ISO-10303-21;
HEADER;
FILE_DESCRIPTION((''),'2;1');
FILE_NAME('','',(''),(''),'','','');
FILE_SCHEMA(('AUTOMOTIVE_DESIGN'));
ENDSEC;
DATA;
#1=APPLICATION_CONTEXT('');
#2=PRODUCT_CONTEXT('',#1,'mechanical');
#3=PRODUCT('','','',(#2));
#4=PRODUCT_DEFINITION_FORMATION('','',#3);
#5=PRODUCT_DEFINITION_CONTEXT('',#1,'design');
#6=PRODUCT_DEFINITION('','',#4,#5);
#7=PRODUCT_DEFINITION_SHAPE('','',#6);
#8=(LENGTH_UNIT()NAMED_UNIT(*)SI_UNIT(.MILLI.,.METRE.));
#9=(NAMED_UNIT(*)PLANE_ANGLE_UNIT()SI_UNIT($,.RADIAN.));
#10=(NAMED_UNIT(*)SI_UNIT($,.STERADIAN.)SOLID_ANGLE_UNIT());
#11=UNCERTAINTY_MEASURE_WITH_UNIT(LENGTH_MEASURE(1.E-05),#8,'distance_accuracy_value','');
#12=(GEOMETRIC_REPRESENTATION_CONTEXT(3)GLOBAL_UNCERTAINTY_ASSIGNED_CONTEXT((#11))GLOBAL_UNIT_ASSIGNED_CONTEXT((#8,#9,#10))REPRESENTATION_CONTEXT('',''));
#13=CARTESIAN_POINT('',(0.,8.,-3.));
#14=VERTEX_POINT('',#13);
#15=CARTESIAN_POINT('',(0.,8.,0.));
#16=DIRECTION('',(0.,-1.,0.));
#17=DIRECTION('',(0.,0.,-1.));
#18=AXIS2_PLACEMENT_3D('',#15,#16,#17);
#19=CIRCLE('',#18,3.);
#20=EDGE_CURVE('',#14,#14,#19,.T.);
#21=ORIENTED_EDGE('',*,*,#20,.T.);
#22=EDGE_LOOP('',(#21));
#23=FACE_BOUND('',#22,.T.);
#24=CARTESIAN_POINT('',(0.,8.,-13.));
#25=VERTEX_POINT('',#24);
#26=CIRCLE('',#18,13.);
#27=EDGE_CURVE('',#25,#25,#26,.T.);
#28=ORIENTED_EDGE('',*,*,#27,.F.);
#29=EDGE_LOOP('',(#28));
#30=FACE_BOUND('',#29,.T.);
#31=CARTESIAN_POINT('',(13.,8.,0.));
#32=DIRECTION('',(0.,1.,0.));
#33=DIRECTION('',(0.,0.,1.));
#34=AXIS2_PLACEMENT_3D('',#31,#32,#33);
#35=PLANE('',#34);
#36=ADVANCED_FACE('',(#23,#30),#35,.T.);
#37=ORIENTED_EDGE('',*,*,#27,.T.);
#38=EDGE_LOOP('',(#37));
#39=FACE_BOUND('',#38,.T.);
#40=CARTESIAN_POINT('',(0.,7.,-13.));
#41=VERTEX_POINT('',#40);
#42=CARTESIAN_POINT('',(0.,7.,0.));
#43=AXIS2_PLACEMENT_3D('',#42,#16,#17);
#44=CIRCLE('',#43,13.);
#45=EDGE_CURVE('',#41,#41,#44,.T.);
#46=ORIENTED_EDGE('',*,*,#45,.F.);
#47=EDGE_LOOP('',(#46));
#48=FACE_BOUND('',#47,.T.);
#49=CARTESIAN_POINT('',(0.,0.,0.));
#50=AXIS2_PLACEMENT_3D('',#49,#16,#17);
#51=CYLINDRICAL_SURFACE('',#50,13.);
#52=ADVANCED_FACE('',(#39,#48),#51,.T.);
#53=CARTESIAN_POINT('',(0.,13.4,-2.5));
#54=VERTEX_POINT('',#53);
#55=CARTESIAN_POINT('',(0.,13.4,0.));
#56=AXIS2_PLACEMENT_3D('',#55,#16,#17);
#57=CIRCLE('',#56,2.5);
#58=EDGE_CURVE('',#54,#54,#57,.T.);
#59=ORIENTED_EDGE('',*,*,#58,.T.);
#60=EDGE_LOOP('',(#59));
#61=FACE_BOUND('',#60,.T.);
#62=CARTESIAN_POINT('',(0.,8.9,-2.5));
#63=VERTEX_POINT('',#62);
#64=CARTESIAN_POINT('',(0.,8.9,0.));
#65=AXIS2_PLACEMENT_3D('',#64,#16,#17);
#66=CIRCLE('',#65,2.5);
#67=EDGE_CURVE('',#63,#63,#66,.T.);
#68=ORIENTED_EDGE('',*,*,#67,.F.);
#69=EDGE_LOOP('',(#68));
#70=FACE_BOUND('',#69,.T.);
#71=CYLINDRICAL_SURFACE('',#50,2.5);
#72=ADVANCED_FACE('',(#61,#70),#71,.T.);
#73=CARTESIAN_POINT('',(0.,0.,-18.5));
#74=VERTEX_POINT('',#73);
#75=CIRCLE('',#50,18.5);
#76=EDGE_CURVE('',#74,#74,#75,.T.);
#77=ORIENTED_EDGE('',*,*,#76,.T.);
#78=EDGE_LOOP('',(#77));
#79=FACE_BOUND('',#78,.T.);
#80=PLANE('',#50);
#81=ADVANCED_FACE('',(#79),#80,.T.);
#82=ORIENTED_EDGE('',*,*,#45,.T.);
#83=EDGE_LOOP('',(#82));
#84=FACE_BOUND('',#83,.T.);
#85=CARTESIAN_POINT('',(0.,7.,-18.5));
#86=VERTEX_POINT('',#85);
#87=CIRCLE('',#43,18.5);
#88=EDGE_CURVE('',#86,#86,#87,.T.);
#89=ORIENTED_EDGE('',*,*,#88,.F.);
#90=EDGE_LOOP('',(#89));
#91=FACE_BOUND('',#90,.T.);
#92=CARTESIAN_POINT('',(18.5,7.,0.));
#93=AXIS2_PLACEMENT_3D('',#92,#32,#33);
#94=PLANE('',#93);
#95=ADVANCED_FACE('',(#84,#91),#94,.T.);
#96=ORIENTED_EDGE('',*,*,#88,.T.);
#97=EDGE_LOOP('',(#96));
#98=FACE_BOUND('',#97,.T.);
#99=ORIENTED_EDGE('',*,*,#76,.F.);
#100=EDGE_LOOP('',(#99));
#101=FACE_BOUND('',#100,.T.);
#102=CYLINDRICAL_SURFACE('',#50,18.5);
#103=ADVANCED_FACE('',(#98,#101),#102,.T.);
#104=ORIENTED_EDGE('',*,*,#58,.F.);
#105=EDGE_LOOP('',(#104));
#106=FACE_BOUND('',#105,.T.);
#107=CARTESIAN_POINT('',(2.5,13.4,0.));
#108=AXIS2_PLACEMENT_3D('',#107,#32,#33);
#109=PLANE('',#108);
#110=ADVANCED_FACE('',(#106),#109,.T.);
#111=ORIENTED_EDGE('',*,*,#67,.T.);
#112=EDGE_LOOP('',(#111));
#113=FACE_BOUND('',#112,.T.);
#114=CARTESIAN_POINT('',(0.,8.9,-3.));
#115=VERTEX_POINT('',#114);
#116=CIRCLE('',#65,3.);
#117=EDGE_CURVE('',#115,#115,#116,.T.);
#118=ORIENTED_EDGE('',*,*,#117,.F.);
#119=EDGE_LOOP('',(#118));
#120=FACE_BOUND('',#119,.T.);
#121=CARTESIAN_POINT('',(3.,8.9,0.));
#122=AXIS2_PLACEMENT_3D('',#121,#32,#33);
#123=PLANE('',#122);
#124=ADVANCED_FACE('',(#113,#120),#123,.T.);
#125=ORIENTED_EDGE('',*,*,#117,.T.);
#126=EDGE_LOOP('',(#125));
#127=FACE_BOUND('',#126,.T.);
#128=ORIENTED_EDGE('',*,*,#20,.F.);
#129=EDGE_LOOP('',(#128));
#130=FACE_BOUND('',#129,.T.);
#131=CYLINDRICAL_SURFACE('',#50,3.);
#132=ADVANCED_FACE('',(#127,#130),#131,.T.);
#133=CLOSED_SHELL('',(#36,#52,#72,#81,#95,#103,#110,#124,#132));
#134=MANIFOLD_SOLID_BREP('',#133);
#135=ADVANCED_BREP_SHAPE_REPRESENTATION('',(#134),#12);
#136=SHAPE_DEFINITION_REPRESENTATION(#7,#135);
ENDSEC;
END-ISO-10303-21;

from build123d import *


with BuildPart() as part:
    # Sketch1 → Revolve1 (revolve)
    with BuildSketch(Plane.XY, mode=Mode.PRIVATE) as revolve1_sk:
        Polygon((0, 0), (18.5, 0), (18.5, 7), (13, 7), (13, 8), (3, 8), (3, 8.9), (2.5, 8.9), (2.5, 13.4), (0, 13.4), align=None)
    revolve(revolve1_sk.sketch.rotate(Axis((0, 0, 0), (0, 1, 0)), 90), axis=Axis((0, 0, 0), (0, 1, 0)))


solid = part.part
